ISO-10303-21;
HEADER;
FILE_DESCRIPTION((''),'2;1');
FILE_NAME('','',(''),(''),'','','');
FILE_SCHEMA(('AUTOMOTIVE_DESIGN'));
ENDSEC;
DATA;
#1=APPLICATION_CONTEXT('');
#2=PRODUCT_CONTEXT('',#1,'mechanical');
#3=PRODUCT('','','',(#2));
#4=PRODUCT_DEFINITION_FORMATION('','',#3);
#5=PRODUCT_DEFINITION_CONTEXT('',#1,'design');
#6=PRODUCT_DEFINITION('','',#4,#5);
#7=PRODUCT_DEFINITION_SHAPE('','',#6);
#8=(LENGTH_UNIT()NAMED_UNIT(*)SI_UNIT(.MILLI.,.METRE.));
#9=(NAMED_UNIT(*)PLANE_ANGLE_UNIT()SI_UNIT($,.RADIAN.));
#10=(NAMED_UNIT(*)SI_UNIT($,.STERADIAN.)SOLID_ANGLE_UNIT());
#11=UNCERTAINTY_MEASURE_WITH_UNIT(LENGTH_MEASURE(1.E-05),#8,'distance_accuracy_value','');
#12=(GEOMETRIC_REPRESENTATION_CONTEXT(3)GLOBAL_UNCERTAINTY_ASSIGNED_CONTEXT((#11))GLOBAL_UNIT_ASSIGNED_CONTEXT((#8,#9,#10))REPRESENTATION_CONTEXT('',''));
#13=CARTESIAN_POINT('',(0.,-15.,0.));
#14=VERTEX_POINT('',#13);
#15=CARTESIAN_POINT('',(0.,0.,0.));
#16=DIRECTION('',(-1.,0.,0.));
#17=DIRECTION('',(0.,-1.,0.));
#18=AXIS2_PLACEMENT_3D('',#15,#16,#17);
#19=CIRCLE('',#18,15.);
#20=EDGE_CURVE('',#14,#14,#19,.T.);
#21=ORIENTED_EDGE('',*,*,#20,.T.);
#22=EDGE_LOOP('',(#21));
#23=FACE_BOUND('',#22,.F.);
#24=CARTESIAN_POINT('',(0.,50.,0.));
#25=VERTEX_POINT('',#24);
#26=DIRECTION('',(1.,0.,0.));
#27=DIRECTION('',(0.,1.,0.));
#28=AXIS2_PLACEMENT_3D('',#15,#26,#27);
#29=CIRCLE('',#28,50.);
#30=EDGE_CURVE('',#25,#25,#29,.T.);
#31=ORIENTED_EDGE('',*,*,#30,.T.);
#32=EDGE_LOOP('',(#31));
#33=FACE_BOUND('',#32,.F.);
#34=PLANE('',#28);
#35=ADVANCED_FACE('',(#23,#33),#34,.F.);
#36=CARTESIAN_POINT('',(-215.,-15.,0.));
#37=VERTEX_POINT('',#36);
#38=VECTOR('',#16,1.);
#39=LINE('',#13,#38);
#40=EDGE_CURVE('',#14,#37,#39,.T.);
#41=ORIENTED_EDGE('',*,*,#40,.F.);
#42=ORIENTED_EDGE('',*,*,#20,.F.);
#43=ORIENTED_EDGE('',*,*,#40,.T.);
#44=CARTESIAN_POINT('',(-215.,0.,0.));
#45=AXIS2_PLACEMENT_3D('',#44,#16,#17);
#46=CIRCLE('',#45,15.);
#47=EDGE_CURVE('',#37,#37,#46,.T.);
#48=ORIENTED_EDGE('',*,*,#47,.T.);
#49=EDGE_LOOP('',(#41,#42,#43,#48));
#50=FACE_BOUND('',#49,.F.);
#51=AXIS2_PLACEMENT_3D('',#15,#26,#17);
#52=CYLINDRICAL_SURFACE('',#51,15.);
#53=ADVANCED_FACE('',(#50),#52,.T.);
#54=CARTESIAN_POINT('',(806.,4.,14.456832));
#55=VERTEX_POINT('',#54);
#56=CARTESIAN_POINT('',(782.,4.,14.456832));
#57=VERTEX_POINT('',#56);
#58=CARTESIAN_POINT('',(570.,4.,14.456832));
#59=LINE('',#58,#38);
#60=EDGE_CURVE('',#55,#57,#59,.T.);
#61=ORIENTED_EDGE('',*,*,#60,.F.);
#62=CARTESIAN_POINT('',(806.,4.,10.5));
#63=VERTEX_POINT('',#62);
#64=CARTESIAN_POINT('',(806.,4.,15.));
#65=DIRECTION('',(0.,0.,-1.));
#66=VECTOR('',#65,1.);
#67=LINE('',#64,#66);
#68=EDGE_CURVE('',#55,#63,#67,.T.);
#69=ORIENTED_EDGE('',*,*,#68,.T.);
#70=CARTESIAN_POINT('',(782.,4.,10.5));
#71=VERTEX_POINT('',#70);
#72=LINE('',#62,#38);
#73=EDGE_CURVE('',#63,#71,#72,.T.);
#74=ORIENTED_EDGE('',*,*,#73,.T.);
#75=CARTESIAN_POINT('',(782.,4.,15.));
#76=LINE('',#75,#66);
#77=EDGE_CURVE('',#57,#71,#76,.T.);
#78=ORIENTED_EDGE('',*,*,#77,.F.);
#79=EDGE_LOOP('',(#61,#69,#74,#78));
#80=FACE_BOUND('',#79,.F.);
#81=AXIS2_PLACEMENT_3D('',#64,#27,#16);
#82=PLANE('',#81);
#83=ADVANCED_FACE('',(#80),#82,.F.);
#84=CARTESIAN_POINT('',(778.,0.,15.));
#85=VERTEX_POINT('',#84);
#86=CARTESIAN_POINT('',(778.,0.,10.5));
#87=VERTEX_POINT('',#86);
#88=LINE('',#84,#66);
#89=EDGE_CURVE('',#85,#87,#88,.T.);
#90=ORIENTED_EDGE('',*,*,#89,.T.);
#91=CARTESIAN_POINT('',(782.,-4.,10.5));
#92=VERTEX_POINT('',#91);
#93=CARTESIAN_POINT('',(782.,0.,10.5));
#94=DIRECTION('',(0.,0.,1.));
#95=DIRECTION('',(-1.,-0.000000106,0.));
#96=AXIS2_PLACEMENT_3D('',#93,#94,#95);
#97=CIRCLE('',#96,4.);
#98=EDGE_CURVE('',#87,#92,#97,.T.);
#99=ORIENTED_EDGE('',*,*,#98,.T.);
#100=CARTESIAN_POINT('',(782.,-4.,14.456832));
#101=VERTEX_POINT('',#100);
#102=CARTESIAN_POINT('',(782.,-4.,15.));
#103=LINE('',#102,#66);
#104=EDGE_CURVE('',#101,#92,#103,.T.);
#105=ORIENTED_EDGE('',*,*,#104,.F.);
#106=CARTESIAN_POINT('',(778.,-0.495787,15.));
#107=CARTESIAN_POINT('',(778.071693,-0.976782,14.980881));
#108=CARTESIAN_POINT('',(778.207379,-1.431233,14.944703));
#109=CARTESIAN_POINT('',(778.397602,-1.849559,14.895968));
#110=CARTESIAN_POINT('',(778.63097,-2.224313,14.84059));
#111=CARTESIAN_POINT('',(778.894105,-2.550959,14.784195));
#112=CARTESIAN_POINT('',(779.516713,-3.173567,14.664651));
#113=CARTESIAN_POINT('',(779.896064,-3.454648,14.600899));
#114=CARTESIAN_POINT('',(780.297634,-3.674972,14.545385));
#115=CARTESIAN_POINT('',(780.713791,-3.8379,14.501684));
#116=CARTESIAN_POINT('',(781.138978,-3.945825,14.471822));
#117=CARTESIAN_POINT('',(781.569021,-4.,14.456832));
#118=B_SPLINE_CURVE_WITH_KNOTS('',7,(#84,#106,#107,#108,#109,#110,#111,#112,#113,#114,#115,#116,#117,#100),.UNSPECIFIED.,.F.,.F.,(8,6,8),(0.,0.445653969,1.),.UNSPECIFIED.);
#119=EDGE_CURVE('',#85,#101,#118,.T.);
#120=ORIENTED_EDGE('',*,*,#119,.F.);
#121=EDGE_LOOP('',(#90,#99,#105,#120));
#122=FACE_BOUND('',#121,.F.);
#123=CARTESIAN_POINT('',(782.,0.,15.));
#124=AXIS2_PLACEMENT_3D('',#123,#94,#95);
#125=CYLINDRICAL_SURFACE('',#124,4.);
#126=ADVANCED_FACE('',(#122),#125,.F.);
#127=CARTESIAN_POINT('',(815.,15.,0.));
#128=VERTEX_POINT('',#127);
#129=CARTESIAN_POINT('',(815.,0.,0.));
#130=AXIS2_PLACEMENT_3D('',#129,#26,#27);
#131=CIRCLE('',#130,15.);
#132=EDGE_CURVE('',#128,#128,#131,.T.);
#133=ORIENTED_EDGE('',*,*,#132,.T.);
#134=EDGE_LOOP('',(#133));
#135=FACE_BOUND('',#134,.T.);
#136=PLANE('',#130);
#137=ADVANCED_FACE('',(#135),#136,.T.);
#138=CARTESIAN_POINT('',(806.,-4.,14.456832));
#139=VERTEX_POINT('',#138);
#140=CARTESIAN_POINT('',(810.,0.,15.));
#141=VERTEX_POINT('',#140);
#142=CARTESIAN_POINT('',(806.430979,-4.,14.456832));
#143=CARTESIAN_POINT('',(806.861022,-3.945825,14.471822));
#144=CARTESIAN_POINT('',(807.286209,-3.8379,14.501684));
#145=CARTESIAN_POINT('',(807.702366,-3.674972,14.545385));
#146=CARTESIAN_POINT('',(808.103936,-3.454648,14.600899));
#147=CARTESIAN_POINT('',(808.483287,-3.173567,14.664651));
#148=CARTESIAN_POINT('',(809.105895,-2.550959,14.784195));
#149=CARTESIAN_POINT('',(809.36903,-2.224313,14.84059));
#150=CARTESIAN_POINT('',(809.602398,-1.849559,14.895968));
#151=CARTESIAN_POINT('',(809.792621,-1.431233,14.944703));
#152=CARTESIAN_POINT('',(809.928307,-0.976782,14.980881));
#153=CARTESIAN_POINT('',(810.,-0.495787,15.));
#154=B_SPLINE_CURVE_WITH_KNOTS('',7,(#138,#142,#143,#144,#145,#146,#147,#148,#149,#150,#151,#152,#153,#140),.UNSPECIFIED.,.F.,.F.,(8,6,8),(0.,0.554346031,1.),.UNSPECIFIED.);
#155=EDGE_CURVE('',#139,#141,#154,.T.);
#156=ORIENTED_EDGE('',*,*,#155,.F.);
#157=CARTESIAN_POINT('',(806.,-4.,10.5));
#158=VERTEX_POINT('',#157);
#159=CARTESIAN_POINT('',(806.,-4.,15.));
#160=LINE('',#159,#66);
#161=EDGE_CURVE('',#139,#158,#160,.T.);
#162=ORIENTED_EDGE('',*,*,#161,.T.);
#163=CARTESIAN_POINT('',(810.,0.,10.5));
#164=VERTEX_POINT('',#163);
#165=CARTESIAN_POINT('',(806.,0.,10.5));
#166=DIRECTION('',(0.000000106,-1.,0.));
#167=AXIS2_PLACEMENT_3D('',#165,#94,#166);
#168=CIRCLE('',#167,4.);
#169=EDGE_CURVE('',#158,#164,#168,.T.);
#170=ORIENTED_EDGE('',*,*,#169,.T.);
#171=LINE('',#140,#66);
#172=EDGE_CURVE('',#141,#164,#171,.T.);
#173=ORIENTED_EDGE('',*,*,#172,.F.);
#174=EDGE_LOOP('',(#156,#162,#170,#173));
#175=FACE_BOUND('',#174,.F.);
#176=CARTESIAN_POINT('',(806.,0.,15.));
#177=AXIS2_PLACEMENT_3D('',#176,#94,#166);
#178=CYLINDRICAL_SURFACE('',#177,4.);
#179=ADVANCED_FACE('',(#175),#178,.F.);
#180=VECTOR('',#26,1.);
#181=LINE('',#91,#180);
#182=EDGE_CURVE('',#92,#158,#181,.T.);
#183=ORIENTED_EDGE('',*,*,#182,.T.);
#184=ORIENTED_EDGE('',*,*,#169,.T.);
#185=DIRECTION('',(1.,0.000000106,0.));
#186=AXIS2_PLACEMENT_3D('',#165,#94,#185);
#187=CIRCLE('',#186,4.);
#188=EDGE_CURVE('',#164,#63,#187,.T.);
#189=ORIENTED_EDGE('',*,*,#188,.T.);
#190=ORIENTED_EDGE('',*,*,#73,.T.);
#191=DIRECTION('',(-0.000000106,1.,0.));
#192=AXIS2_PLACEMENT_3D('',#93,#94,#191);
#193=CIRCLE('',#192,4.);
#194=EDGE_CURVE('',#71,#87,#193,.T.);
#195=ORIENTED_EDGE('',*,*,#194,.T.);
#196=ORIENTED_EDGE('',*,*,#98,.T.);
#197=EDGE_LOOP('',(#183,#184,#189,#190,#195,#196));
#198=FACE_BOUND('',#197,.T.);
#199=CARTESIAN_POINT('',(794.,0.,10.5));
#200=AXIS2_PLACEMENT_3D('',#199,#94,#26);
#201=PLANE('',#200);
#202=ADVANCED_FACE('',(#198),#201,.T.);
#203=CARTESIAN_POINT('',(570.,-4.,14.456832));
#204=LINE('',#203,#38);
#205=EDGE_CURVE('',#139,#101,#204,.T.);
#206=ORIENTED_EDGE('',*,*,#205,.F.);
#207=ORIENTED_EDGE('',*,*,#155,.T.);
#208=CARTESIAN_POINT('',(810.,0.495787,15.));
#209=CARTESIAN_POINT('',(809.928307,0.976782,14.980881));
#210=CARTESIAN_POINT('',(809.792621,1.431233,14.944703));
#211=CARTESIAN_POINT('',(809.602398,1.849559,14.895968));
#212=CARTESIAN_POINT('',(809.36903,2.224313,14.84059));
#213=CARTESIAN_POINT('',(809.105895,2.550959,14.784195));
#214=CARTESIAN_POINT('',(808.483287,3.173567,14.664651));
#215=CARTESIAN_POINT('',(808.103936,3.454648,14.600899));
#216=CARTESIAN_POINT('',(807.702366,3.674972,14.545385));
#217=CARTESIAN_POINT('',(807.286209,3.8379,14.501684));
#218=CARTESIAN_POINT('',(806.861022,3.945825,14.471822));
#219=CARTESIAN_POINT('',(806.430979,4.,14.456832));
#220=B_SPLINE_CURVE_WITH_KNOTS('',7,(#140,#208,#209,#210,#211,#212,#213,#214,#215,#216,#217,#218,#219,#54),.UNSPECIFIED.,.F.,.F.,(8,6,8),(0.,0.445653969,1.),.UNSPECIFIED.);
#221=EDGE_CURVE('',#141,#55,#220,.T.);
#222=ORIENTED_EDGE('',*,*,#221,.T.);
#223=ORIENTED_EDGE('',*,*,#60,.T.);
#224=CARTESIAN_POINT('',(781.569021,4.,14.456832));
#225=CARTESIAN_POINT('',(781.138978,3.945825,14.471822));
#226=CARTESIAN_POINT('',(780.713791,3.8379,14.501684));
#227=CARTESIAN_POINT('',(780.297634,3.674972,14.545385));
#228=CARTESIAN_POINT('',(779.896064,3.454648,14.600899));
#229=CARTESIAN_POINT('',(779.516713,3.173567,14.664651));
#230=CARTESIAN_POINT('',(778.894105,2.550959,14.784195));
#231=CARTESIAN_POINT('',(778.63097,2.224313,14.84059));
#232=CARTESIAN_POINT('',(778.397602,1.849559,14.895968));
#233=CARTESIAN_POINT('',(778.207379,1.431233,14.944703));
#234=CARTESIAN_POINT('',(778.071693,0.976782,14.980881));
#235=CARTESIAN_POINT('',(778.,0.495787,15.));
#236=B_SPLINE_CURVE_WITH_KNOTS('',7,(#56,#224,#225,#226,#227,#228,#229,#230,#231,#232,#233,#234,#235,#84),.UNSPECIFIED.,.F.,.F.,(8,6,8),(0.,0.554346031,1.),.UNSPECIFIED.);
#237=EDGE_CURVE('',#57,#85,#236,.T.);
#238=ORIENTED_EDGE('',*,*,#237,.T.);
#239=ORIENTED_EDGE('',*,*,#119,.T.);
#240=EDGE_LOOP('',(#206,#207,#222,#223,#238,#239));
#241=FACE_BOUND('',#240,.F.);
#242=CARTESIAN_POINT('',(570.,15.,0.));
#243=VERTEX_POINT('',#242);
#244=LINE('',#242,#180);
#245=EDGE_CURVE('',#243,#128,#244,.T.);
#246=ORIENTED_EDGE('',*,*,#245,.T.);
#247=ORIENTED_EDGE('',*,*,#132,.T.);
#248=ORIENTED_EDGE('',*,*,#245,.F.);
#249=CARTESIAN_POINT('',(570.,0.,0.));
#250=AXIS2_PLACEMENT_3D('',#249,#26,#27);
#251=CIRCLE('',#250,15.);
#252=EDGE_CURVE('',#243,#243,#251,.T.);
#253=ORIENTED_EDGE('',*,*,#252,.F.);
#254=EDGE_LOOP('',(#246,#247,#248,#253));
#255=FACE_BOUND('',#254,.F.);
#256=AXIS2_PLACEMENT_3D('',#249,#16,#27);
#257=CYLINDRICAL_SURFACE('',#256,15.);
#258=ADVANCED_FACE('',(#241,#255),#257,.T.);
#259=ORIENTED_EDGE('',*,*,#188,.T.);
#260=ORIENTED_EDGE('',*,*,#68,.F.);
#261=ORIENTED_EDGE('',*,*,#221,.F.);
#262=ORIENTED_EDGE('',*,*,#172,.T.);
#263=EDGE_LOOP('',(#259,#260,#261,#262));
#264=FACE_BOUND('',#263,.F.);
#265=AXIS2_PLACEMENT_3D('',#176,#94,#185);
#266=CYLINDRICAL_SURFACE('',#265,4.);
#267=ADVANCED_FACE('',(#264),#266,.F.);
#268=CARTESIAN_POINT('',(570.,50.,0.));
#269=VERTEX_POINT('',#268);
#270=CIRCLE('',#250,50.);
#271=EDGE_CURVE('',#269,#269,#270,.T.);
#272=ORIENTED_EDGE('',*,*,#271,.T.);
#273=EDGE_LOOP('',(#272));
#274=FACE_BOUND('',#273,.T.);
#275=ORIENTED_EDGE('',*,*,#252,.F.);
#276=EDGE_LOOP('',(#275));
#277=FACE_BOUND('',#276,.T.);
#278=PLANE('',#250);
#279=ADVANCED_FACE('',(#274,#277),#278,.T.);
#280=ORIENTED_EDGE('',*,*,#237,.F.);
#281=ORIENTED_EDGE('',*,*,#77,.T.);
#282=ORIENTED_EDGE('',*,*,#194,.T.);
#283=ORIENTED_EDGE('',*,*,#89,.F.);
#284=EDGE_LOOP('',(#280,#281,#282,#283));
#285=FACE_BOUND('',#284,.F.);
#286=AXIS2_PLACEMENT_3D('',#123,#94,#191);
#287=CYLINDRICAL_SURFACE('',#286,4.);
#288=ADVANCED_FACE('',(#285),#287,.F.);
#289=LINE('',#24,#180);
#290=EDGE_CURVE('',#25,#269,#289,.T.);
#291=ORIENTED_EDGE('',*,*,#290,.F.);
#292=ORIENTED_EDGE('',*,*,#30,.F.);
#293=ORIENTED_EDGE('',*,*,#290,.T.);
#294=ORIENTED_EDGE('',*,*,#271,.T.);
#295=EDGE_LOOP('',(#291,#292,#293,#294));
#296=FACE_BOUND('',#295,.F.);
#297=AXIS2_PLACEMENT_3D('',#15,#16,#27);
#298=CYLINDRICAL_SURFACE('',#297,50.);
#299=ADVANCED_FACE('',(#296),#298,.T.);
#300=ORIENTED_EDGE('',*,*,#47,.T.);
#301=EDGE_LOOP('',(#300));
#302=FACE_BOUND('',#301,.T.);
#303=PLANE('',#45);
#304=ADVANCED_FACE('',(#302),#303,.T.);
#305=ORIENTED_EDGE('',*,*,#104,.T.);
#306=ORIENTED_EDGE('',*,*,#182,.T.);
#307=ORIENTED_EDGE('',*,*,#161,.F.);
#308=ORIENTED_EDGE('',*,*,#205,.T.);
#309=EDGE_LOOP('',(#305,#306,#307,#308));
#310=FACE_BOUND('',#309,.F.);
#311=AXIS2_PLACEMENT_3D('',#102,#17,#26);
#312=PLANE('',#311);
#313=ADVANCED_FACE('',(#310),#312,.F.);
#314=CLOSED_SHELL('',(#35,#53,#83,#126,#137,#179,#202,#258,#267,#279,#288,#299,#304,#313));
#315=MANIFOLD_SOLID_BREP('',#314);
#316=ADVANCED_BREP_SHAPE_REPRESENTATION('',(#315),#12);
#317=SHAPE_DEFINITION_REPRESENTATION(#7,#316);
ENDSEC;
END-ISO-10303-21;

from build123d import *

# Parameters (mm, degrees)
F0_R     = 50
F1_DEPTH = 570
F2_R     = 15
F3_DEPTH = 215
F4_R     = 15
F5_DEPTH = 245
F8_DEPTH = 4.5


with BuildPart() as f1:
    # F0 (on Right) → F1 (new body)
    with BuildSketch(Plane.YZ):
        Circle(F0_R)
    extrude(amount=F1_DEPTH)

    # F2 (on face) → F3 (join)
    with BuildSketch(Plane(origin=(0, 0, 0), x_dir=(0, -1, 0), z_dir=(-1, 0, 0))):
        Circle(F2_R)
    extrude(amount=F3_DEPTH)

    # F4 (on face) → F5 (join)
    with BuildSketch(Plane.YZ.offset(570)):
        Circle(F4_R)
    extrude(amount=F5_DEPTH)

    # F7 (on offset) → F8 (cut)
    with BuildSketch(Plane.XY.offset(15)):
        with BuildLine():
            ThreePointArc((810, 0), (808.828427, 2.828427), (806, 4))
            Line((806, 4), (782, 4))
            ThreePointArc((782, 4), (779.171573, 2.828427), (778, 0))
            ThreePointArc((778, 0), (779.171573, -2.828427), (782, -4))
            Line((782, -4), (806, -4))
            ThreePointArc((806, -4), (808.828427, -2.828427), (810, 0))
        make_face()
    extrude(amount=-F8_DEPTH, mode=Mode.SUBTRACT)


solid = f1.part
